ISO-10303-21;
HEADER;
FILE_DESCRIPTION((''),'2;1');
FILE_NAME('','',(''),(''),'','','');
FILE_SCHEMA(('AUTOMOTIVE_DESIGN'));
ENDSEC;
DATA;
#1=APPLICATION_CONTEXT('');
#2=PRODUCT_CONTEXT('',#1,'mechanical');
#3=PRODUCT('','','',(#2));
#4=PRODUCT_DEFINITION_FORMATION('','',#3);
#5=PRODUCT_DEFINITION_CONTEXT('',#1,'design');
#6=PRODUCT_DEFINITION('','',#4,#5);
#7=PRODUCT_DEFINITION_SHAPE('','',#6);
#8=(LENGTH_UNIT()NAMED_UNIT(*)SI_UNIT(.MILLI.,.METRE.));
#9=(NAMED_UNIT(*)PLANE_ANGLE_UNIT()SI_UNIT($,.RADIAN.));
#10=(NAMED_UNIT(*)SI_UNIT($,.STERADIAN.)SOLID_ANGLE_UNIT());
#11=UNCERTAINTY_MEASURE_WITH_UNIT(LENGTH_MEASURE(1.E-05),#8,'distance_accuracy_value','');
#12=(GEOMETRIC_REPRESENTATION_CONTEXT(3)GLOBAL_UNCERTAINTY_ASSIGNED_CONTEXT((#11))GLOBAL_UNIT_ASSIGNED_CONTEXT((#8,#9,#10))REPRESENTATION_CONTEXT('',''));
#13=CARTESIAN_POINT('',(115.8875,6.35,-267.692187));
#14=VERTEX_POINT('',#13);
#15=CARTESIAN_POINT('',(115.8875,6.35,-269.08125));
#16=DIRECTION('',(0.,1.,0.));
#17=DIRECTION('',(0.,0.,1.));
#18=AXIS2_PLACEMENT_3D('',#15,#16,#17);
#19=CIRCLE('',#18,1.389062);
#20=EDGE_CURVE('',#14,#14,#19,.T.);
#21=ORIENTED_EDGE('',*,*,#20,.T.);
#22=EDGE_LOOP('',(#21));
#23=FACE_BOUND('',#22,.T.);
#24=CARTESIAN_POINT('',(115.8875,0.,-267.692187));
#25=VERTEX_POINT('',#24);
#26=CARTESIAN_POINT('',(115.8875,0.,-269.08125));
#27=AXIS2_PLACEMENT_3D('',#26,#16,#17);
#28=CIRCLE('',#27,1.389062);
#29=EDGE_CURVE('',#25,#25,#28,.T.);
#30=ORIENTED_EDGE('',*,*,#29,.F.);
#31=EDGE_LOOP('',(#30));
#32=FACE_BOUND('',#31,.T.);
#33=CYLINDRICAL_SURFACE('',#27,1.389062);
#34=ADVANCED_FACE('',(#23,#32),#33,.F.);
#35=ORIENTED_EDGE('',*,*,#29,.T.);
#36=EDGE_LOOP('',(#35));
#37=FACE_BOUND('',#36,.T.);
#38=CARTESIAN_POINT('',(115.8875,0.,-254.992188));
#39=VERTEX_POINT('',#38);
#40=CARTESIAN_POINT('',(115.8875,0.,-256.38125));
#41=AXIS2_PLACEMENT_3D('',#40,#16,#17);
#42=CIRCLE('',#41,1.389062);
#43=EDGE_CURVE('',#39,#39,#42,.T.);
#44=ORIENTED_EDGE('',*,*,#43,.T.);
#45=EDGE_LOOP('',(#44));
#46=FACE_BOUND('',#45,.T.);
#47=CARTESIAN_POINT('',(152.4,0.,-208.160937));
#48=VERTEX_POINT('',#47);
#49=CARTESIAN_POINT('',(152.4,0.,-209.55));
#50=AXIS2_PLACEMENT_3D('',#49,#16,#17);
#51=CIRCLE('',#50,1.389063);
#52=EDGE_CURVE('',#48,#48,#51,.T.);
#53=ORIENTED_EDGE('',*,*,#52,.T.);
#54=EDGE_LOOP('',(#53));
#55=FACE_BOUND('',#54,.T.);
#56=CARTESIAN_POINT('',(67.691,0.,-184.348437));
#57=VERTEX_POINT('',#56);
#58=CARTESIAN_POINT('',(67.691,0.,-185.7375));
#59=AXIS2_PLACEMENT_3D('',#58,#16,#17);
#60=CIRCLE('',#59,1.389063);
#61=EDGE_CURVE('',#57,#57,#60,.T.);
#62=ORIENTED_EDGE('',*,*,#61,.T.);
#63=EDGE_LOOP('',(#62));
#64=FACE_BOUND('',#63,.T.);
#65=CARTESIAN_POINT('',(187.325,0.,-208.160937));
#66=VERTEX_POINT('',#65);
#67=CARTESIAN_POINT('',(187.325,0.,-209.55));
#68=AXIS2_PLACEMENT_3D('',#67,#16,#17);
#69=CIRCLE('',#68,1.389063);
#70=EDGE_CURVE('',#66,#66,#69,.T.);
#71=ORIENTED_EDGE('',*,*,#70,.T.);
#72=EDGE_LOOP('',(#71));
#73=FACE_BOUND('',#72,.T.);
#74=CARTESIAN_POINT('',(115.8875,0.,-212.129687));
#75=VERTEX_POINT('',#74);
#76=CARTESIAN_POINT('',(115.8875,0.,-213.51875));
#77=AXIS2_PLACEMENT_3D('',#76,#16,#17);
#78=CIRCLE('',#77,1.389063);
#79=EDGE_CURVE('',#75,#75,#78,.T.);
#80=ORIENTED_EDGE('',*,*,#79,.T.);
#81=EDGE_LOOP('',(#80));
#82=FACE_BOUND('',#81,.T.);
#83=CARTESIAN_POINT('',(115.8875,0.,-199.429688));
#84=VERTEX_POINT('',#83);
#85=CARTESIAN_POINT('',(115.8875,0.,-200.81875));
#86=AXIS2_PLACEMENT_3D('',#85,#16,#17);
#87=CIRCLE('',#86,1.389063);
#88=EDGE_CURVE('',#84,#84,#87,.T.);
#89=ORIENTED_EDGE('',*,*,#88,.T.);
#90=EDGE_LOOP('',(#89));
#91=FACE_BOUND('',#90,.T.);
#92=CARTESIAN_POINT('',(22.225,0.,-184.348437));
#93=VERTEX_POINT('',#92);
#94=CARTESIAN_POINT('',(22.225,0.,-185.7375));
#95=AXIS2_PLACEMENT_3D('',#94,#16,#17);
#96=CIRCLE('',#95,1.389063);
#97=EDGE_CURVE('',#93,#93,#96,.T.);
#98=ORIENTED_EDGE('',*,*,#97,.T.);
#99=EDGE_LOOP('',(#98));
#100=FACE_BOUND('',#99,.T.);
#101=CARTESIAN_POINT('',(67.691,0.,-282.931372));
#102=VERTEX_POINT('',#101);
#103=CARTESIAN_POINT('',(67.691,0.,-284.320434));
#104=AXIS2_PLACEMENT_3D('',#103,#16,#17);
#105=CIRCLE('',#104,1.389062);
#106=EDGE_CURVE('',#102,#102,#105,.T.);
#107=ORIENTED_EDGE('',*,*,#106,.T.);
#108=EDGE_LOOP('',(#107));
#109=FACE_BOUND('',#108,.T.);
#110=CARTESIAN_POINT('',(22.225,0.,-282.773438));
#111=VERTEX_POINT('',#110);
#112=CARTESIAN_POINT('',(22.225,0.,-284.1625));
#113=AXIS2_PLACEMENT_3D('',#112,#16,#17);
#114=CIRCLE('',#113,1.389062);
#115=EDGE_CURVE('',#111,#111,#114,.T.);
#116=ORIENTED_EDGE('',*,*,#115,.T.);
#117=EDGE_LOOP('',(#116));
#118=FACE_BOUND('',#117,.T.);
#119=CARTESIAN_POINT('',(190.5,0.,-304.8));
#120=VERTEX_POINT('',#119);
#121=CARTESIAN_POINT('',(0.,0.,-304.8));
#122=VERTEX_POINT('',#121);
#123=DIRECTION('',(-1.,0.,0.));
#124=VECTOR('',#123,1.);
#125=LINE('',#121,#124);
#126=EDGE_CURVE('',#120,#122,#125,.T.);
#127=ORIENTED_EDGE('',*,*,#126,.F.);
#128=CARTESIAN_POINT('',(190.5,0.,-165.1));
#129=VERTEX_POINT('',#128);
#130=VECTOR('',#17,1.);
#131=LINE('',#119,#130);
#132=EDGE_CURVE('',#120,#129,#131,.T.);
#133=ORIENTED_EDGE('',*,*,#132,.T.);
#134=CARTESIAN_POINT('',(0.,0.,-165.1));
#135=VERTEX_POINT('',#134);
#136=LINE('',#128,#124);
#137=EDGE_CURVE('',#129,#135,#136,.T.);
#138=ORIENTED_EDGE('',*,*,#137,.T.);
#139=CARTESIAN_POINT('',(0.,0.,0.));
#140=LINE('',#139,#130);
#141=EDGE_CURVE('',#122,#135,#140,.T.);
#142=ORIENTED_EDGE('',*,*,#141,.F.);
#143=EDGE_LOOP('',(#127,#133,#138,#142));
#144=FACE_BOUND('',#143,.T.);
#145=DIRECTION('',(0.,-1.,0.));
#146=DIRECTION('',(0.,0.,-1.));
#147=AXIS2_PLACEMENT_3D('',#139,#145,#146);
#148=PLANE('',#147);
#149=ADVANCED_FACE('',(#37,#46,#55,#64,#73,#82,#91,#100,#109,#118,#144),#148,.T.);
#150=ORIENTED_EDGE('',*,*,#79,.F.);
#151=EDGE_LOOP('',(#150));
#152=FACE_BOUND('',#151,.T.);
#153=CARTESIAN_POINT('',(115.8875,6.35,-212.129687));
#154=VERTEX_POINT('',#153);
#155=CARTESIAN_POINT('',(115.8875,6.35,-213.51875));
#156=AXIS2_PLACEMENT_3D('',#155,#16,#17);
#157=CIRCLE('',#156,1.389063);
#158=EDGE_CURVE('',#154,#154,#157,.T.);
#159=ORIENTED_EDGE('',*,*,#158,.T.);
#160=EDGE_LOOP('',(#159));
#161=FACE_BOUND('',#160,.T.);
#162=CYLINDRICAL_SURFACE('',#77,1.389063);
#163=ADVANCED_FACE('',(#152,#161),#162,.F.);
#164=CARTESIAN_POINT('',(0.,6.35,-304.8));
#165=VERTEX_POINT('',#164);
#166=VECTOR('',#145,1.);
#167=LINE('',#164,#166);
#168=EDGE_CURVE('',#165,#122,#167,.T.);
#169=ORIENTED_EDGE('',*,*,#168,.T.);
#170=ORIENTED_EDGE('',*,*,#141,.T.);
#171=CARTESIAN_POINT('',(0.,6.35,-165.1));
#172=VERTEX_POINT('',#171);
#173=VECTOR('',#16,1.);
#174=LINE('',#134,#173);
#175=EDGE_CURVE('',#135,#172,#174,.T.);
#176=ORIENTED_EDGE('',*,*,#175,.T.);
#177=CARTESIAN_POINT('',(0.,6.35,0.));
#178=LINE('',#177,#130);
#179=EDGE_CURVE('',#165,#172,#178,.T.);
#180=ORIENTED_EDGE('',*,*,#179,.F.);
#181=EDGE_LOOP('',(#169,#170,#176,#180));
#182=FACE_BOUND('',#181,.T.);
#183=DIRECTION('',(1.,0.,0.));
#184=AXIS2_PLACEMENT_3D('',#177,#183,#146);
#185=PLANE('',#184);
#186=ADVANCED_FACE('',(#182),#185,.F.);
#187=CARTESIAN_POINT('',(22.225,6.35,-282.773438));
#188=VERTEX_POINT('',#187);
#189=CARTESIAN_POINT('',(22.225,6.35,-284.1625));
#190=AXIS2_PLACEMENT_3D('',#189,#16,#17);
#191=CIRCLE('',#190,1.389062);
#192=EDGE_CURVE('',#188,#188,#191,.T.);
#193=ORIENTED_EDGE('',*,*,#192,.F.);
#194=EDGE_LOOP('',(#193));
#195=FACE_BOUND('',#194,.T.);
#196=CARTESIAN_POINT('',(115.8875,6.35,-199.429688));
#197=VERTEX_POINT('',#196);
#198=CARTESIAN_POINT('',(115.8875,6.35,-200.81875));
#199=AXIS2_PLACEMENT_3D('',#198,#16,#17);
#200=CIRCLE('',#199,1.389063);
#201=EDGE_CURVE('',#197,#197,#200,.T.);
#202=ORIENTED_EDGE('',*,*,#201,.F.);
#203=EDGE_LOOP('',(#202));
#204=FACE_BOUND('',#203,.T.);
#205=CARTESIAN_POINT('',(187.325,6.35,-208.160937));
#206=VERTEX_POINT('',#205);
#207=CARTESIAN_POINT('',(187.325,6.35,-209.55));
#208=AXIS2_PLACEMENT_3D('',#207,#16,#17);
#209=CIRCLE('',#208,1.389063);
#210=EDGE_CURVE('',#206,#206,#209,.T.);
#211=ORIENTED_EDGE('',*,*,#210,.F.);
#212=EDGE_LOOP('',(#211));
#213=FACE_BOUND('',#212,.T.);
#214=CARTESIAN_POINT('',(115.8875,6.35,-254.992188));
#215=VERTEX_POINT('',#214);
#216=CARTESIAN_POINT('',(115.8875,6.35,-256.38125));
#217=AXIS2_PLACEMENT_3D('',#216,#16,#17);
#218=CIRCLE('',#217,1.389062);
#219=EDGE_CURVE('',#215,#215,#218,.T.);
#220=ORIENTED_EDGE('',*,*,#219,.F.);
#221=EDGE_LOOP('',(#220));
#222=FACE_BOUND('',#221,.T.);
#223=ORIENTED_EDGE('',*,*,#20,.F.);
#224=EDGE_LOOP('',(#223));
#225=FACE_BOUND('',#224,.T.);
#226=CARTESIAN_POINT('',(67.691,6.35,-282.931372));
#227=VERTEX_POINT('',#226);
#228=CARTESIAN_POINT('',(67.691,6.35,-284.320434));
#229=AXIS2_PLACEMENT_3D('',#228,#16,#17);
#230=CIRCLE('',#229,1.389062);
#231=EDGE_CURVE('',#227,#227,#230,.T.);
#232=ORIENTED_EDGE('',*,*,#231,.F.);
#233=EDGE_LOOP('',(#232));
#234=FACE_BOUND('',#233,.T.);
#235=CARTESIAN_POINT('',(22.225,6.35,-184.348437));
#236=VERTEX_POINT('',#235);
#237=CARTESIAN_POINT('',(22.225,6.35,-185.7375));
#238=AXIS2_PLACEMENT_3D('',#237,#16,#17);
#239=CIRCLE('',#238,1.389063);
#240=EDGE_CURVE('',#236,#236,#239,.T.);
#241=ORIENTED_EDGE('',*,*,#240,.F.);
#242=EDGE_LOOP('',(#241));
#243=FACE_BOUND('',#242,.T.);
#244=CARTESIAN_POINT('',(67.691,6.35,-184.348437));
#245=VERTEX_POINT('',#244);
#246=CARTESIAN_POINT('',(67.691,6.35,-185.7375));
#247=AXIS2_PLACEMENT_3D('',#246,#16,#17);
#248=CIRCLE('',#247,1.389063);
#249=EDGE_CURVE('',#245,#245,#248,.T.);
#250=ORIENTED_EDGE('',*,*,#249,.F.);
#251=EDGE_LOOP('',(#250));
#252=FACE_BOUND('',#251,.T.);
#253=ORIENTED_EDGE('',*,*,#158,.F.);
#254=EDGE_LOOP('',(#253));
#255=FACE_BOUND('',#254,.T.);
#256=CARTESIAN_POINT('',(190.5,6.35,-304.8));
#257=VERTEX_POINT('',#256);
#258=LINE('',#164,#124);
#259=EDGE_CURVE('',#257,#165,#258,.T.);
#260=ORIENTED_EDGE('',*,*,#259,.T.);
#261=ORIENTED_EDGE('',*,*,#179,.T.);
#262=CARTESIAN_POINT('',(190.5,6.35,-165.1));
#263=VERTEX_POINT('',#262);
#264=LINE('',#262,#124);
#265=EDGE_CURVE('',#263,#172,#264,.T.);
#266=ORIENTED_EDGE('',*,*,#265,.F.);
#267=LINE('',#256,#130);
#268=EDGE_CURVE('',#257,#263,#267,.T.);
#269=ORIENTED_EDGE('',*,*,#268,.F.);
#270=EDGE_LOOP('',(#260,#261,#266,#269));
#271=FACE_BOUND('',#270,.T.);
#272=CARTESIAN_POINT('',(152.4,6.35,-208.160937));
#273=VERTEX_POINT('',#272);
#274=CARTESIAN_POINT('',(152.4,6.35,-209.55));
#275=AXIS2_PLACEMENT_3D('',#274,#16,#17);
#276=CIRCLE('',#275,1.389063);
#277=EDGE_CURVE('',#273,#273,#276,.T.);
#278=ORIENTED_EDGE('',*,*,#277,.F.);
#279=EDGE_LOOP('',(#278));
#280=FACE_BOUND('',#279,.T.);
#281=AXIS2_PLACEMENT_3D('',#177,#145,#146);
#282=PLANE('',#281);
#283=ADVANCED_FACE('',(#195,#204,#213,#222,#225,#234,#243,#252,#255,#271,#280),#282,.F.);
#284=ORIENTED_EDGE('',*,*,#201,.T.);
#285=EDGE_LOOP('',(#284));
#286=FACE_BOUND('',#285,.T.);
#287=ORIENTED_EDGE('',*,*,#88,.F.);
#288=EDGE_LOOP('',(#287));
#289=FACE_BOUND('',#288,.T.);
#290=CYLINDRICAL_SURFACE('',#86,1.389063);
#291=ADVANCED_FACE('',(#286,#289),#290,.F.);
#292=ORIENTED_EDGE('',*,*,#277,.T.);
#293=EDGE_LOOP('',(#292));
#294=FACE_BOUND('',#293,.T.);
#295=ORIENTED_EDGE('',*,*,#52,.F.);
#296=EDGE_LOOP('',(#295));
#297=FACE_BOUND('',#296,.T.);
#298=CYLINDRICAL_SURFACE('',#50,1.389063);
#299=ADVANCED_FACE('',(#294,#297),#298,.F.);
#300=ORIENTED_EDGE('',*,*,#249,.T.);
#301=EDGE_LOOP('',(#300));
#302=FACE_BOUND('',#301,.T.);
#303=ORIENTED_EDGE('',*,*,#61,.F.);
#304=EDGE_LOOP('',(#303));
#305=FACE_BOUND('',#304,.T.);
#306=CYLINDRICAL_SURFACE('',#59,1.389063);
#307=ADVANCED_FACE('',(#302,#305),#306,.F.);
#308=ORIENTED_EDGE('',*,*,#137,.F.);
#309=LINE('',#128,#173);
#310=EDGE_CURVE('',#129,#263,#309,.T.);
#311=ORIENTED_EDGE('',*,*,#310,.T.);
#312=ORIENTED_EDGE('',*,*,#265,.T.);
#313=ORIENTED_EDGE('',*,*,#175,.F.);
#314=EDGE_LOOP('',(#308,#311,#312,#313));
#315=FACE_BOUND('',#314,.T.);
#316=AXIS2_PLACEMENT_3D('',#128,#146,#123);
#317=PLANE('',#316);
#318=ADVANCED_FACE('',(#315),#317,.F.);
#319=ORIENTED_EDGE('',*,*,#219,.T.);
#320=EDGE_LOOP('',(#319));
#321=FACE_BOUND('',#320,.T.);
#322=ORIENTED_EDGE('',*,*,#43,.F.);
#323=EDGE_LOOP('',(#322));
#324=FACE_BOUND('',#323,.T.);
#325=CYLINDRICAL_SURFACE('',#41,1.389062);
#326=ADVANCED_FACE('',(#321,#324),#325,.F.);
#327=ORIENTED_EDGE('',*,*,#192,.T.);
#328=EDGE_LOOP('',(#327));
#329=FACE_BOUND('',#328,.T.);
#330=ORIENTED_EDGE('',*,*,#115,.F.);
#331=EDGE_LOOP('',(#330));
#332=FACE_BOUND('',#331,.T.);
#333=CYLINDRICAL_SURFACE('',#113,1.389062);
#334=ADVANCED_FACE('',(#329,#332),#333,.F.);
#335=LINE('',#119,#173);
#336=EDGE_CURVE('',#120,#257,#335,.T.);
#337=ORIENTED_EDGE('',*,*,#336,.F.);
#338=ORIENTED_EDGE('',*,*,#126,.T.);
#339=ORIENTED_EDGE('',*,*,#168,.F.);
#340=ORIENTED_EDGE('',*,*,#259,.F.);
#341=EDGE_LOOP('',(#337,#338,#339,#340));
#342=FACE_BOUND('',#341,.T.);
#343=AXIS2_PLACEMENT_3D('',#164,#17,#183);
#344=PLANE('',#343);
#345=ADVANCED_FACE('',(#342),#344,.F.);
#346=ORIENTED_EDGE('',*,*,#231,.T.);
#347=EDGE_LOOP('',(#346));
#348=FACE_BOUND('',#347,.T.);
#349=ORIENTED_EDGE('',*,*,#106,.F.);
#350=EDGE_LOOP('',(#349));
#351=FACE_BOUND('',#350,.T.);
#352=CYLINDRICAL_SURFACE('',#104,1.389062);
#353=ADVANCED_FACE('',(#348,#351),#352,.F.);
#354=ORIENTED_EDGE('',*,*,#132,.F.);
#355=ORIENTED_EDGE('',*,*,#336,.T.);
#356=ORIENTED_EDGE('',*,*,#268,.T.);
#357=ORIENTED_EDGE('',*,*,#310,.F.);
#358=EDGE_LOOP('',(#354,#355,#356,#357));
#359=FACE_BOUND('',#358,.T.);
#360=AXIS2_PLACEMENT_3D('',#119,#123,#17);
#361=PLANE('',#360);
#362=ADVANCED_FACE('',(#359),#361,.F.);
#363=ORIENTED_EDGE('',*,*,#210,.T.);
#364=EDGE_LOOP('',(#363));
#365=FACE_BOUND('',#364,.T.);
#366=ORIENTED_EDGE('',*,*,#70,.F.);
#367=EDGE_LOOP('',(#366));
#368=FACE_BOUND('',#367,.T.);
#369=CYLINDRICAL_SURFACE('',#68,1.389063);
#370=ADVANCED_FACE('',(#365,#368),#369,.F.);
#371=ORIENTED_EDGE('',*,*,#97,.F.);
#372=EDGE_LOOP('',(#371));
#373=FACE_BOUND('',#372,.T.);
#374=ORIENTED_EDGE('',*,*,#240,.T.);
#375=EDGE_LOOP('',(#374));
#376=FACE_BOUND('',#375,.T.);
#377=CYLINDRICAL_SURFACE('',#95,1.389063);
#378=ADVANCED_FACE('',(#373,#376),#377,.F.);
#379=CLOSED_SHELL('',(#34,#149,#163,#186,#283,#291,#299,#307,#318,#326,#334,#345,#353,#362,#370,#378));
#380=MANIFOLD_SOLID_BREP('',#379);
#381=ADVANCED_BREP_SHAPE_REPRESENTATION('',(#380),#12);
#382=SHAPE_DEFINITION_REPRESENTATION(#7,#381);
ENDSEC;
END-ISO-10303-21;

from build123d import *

# Parameters (mm, degrees)
SKETCH1_W           = 304.8
SKETCH1_H           = 304.8
BOSS_EXTRUDE1_DEPTH = 6.35
CUT_EXTRUDE1_DEPTH  = 432.099063441
SKETCH3_R           = 1.3890625
CUT_EXTRUDE2_DEPTH  = 360.49076831
SKETCH4_R           = 1.3890625
CUT_EXTRUDE3_DEPTH  = 360.49076831
SKETCH5_R           = 1.3890625
CUT_EXTRUDE4_DEPTH  = 360.49076831


with BuildPart() as part:
    # Sketch1 → Boss-Extrude1 (new body)
    with BuildSketch(Plane(origin=(0, 0, 0), x_dir=(1, 0, 0), z_dir=(0, 1, 0))):
        with Locations((152.4, 152.4)):
            Rectangle(SKETCH1_W, SKETCH1_H)
    extrude(amount=BOSS_EXTRUDE1_DEPTH)

    # Sketch2 → Cut-Extrude1 (cut, through all)
    with BuildSketch(Plane(origin=(0, 6.35, 0), x_dir=(1, 0, 0), z_dir=(0, 1, 0))):
        Polygon((190.5, 304.8), (190.5, 165.1), (0, 165.1), (0, 0), (304.8, 0), (304.8, 304.8), align=None)
    extrude(amount=-CUT_EXTRUDE1_DEPTH, mode=Mode.SUBTRACT)

    # Sketch3 → Cut-Extrude2 (cut, through all)
    with BuildSketch(Plane(origin=(0, 6.35, 0), x_dir=(1, 0, 0), z_dir=(0, 1, 0))):
        with Locations(Location((22.225, 185.7375, 0), (0, 0, 270))):
            Circle(SKETCH3_R)
        with Locations(Location((67.691, 185.7375, 0), (0, 0, 270))):
            Circle(SKETCH3_R)
        with Locations(Location((22.225, 284.1625, 0), (0, 0, 270))):
            Circle(SKETCH3_R)
        with Locations(Location((67.691, 284.320434064, 0), (0, 0, 270))):
            Circle(SKETCH3_R)
    extrude(amount=-CUT_EXTRUDE2_DEPTH, mode=Mode.SUBTRACT)

    # Sketch4 → Cut-Extrude3 (cut, through all)
    with BuildSketch(Plane(origin=(0, 6.35, 0), x_dir=(1, 0, 0), z_dir=(0, 1, 0))):
        with Locations(Location((115.8875, 269.08125, 0), (0, 0, 270))):
            Circle(SKETCH4_R)
        with Locations(Location((115.8875, 256.38125, 0), (0, 0, 270))):
            Circle(SKETCH4_R)
        with Locations(Location((115.8875, 200.81875, 0), (0, 0, 270))):
            Circle(SKETCH4_R)
        with Locations(Location((115.8875, 213.51875, 0), (0, 0, 270))):
            Circle(SKETCH4_R)
    extrude(amount=-CUT_EXTRUDE3_DEPTH, mode=Mode.SUBTRACT)

    # Sketch5 → Cut-Extrude4 (cut, through all)
    with BuildSketch(Plane(origin=(0, 6.35, 0), x_dir=(1, 0, 0), z_dir=(0, 1, 0))):
        with Locations(Location((187.325, 209.55, 0), (0, 0, 270))):
            Circle(SKETCH5_R)
        with Locations(Location((152.4, 209.55, 0), (0, 0, 270))):
            Circle(SKETCH5_R)
    extrude(amount=-CUT_EXTRUDE4_DEPTH, mode=Mode.SUBTRACT)


solid = part.part
